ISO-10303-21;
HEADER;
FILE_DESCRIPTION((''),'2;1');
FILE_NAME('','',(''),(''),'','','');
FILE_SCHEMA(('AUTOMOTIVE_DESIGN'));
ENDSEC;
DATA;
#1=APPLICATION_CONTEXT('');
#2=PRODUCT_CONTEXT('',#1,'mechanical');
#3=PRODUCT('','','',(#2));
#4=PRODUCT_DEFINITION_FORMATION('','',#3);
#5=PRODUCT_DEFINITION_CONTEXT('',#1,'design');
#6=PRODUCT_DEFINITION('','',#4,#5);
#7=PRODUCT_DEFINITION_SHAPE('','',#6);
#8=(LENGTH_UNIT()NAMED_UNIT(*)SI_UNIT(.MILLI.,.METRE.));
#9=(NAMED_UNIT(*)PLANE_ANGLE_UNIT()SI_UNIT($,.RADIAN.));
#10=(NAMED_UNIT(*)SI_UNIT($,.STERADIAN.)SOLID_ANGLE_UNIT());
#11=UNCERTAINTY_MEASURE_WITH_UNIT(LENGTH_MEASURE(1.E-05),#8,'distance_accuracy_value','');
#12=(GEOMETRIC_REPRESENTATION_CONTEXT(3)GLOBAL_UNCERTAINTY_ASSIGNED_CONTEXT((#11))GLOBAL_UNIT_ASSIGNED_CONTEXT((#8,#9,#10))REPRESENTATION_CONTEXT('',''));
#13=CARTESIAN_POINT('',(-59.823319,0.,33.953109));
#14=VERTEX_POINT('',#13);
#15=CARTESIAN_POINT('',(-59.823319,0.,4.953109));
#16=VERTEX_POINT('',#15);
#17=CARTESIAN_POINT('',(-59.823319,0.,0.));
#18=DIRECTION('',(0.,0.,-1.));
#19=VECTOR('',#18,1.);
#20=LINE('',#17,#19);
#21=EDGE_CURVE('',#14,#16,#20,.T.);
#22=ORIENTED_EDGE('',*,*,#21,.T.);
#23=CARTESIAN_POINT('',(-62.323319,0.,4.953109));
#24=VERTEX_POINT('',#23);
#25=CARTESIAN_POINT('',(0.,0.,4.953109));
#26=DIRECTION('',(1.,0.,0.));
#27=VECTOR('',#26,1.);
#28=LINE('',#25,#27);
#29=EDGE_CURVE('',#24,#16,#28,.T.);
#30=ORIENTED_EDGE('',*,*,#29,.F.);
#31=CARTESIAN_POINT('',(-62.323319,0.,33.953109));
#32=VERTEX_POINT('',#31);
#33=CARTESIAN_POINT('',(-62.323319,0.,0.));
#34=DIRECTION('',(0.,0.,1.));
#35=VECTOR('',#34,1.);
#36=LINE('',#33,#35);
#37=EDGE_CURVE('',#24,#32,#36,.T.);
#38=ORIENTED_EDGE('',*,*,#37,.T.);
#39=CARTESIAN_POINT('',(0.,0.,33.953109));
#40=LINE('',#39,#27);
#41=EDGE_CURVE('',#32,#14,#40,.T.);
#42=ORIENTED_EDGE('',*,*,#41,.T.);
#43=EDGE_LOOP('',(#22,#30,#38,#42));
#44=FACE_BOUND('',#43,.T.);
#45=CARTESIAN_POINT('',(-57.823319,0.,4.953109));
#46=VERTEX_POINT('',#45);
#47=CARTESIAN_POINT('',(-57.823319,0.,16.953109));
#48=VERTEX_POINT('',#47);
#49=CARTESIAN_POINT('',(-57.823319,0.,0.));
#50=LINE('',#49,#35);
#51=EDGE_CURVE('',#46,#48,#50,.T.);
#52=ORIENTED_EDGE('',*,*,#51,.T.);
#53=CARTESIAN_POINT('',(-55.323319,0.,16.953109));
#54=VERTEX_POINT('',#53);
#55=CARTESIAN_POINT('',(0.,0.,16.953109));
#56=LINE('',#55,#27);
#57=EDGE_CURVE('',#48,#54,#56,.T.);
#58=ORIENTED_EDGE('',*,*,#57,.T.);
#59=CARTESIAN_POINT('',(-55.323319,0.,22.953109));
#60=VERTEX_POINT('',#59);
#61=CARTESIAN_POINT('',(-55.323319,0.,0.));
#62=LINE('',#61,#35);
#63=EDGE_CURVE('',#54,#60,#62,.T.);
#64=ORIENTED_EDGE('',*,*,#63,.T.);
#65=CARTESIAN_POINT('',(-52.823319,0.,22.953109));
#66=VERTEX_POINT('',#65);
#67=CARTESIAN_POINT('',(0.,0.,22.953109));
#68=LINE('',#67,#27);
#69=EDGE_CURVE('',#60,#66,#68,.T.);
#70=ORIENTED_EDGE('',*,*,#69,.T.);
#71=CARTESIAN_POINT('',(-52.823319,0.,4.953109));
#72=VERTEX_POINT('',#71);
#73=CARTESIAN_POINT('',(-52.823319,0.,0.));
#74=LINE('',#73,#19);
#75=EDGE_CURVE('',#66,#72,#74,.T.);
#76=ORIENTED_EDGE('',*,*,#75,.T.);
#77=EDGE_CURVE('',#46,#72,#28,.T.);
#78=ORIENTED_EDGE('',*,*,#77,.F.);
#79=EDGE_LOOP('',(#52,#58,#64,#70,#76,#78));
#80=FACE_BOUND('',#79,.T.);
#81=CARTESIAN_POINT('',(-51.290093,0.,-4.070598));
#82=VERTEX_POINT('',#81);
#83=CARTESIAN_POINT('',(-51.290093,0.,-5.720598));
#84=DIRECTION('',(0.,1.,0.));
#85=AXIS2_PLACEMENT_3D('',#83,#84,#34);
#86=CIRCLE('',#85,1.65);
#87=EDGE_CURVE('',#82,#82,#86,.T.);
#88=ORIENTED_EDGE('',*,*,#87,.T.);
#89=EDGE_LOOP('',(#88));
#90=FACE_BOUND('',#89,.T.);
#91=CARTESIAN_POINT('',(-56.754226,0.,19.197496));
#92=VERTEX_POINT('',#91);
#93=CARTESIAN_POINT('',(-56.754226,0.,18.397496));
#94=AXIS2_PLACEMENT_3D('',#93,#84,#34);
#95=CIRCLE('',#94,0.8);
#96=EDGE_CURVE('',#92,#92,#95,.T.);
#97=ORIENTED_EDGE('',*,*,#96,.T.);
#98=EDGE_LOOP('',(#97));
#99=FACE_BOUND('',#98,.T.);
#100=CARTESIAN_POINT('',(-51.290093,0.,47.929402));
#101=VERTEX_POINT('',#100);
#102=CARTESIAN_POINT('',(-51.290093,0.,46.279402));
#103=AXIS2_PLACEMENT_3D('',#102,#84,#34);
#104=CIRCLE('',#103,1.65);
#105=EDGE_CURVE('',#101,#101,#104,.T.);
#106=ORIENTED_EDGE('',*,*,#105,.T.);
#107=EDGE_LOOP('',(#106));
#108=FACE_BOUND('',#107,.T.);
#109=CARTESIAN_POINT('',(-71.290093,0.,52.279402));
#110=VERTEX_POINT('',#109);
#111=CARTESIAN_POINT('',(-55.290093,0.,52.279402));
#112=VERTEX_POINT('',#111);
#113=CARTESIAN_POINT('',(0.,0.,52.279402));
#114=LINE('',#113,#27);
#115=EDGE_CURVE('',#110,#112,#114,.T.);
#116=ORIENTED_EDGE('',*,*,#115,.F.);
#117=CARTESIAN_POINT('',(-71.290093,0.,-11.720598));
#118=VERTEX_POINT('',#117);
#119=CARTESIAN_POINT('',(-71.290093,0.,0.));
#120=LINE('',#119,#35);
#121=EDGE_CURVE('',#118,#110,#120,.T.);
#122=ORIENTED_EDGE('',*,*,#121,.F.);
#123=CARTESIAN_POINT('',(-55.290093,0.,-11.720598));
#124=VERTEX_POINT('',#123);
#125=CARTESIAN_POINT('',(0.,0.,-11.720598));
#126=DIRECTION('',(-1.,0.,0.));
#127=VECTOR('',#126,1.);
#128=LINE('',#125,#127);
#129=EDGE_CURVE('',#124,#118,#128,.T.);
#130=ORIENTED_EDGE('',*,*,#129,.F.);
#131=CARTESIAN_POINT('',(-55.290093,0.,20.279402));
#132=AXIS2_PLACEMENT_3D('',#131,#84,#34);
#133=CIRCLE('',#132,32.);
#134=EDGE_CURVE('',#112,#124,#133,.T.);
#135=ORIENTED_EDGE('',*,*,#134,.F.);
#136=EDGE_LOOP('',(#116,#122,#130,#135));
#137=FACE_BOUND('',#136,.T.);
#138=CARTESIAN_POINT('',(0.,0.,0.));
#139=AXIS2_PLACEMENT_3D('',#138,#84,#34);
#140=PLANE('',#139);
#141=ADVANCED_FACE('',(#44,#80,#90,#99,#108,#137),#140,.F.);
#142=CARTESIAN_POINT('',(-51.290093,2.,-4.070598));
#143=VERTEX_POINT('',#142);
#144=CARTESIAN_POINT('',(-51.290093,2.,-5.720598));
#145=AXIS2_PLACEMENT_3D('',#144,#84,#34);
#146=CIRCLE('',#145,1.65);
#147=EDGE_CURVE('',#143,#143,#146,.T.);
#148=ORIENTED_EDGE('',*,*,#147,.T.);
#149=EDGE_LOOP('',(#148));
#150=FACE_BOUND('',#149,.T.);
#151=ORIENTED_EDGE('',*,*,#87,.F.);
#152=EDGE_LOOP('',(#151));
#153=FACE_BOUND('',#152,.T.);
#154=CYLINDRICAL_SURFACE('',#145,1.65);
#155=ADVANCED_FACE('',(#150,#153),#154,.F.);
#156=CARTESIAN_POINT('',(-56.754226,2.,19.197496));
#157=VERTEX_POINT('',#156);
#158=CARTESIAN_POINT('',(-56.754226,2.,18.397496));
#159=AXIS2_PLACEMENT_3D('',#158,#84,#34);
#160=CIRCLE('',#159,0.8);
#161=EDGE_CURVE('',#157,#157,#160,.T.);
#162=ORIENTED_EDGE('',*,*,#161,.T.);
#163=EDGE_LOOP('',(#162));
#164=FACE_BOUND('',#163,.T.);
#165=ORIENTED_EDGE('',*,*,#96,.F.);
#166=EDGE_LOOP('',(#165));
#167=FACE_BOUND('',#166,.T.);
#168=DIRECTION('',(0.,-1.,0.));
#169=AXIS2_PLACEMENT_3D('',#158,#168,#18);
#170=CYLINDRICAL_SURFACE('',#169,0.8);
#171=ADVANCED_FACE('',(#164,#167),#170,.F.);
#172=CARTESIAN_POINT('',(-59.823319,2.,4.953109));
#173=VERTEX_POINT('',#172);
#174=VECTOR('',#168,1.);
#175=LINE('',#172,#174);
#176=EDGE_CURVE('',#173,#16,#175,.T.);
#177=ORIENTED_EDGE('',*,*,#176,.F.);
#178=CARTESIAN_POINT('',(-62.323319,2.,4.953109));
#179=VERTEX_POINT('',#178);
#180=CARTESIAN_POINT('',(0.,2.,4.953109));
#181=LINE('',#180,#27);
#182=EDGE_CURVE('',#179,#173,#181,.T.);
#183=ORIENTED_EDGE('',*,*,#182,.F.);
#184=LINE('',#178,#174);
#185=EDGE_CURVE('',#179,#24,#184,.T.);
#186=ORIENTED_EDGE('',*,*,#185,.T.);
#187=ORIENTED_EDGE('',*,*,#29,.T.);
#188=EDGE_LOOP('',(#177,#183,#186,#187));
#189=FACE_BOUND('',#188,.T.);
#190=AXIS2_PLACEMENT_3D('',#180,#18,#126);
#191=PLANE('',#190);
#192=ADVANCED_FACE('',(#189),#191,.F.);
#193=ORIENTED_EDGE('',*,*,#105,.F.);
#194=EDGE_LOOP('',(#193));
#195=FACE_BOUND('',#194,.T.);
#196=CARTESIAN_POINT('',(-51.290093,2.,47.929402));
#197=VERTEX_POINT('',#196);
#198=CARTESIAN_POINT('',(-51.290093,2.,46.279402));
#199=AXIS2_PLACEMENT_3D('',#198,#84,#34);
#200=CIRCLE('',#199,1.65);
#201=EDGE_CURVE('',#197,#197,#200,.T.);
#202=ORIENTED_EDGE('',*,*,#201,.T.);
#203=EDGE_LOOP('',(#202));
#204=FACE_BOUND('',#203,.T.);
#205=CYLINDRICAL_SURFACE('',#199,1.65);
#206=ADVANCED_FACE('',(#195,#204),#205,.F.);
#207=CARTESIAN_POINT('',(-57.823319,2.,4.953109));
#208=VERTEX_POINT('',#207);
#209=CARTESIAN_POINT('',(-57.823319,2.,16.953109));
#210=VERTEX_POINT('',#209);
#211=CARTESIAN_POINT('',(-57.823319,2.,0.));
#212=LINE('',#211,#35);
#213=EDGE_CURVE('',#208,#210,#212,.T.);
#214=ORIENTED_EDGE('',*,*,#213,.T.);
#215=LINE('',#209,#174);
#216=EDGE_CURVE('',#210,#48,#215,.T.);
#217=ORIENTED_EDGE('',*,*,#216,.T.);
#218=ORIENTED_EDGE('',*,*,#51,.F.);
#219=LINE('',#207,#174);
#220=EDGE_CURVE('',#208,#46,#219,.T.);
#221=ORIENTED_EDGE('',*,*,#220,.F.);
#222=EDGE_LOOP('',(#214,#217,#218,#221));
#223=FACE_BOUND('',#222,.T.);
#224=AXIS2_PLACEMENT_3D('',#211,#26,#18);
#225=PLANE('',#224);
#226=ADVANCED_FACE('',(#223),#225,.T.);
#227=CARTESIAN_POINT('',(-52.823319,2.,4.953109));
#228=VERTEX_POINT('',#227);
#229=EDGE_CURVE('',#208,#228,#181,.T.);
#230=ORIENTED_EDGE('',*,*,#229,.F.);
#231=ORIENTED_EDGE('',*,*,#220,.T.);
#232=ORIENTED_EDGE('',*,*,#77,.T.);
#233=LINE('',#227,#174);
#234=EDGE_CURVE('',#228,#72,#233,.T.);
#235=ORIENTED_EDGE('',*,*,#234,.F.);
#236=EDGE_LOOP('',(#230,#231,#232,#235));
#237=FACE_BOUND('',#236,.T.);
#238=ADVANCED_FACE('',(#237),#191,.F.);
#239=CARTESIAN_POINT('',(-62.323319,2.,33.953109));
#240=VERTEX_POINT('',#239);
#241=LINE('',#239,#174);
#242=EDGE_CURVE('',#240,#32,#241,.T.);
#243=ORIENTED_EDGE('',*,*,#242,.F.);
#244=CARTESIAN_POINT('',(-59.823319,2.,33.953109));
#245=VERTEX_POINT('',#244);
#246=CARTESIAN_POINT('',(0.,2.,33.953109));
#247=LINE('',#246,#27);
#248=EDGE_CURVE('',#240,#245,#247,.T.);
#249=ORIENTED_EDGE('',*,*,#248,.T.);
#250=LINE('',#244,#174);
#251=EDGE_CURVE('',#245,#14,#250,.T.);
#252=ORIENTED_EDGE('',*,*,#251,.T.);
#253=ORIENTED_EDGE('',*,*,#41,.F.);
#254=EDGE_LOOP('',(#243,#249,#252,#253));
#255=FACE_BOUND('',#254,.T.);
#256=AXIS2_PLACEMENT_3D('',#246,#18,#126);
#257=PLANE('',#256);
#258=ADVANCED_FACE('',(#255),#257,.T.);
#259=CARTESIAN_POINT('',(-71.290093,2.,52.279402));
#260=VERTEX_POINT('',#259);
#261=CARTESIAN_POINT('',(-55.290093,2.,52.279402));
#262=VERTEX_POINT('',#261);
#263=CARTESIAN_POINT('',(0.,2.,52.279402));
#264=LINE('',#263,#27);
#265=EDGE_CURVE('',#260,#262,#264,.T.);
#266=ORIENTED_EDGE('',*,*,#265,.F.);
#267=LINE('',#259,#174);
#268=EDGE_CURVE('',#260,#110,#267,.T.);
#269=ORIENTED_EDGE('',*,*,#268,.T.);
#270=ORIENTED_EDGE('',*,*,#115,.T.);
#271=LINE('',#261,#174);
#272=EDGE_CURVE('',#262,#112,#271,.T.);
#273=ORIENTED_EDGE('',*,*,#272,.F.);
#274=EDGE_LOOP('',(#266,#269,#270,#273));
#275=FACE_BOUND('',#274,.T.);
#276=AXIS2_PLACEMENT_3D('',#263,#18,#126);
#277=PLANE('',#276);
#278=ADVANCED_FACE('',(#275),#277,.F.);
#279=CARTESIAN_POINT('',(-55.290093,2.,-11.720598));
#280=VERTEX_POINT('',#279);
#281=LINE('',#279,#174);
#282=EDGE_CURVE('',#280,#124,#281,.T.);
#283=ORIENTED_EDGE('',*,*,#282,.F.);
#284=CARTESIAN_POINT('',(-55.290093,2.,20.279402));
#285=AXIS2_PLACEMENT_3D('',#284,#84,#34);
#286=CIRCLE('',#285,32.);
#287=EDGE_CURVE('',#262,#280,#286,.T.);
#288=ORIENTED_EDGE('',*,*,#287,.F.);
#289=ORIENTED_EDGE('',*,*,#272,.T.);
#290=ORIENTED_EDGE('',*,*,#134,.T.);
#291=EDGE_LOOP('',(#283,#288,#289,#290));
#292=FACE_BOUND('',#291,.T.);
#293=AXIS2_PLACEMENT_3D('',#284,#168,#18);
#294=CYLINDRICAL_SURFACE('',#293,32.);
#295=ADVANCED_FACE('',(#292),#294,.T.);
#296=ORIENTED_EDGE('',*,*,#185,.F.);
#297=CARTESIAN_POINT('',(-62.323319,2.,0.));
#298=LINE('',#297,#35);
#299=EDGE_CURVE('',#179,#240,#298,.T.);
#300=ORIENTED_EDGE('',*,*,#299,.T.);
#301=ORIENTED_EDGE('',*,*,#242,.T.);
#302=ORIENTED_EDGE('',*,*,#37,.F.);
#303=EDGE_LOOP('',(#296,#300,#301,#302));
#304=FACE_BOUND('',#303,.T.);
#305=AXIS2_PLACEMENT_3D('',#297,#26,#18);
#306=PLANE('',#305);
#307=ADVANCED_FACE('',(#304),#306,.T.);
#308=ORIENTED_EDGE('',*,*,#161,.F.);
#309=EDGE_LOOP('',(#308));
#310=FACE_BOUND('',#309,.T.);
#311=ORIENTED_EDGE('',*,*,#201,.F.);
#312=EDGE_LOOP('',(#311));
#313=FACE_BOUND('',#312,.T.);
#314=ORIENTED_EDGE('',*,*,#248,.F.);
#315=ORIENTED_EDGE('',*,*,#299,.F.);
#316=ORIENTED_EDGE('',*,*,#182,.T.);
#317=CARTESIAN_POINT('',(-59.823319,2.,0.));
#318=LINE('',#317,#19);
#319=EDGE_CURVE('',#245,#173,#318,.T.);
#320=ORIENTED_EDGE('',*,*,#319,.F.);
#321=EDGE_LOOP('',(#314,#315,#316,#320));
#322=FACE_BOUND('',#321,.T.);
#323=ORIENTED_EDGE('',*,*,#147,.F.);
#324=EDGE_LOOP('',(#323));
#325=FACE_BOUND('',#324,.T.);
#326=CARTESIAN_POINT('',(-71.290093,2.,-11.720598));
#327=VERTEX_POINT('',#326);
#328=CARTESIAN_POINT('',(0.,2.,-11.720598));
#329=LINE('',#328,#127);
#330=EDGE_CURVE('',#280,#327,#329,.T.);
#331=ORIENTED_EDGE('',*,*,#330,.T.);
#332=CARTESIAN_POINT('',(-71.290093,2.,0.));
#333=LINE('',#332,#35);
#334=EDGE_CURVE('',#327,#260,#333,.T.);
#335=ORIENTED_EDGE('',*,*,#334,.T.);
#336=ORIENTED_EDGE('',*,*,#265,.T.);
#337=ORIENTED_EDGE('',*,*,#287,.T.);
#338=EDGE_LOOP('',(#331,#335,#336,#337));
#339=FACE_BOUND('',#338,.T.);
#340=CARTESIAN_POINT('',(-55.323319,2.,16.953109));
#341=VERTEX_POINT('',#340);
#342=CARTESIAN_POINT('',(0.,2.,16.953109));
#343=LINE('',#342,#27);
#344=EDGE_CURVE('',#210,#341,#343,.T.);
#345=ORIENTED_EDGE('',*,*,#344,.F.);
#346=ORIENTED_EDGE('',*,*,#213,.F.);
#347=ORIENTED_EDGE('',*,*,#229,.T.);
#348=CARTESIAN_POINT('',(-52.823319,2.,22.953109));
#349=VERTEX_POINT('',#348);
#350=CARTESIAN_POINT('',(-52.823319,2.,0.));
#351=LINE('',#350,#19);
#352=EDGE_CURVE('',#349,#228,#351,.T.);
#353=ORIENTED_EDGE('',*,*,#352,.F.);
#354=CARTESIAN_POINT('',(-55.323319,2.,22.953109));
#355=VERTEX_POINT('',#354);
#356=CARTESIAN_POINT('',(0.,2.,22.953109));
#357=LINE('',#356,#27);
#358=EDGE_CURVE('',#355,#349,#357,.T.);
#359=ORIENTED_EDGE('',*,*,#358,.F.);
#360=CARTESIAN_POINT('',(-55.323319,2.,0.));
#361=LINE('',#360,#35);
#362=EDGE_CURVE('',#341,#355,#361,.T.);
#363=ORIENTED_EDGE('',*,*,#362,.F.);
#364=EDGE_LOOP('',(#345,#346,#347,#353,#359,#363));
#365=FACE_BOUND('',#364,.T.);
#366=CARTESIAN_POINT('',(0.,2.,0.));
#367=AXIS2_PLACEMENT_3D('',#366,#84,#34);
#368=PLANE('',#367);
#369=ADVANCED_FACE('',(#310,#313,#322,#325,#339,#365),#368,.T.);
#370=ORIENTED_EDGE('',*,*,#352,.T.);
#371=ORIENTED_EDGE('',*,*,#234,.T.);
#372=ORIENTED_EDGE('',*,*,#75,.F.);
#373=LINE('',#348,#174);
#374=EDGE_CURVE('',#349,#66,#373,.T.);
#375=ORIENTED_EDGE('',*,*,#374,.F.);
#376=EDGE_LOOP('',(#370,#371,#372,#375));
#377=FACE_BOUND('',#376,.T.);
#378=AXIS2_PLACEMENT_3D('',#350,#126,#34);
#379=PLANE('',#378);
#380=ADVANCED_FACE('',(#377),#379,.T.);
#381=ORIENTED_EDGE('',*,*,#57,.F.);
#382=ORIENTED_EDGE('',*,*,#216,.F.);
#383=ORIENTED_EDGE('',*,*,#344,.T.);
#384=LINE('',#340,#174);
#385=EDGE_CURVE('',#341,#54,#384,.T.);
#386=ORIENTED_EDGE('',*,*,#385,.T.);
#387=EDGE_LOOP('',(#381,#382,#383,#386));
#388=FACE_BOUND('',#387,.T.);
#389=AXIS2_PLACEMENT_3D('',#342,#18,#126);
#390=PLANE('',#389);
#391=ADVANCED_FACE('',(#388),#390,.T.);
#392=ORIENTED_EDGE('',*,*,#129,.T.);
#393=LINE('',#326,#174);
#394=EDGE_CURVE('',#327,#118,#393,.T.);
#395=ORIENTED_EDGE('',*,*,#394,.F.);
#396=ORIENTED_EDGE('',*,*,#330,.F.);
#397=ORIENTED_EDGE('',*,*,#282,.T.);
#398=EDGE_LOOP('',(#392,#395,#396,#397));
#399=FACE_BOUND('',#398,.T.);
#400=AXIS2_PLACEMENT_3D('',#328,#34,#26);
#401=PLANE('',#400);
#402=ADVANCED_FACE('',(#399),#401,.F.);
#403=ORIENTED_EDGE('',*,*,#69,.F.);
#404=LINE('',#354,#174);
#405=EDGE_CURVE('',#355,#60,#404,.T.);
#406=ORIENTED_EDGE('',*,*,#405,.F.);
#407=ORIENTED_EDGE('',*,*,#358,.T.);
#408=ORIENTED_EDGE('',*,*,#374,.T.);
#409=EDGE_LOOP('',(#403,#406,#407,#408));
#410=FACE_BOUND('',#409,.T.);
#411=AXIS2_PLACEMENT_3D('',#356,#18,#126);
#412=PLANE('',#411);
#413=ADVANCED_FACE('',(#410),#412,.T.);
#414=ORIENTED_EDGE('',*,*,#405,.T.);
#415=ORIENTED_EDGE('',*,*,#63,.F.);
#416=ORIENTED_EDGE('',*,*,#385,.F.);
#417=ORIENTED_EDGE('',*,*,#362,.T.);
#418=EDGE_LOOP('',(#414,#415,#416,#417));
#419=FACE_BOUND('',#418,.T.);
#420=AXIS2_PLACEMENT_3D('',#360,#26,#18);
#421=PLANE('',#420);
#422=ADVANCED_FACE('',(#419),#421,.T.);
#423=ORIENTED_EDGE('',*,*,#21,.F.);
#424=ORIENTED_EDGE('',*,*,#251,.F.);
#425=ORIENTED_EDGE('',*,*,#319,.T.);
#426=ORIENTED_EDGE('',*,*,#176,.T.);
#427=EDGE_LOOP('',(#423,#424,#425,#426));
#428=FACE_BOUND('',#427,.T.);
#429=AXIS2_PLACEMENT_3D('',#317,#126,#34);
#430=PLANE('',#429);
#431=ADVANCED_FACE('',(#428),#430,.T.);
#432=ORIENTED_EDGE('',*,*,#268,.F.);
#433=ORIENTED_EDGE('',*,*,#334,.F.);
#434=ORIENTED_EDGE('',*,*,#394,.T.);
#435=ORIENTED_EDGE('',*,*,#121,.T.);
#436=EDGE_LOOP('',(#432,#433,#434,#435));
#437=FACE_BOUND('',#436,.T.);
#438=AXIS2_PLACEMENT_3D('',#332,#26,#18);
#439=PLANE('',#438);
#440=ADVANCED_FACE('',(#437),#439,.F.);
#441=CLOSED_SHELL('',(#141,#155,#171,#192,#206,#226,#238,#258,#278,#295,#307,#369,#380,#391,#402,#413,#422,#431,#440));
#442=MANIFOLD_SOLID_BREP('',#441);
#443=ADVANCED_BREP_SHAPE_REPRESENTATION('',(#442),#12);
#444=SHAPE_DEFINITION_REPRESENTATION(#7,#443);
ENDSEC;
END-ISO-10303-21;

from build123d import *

# Parameters (mm, degrees)
CROQUIS2_W                = 2.5
CROQUIS2_H                = 29
CROQUIS2_R                = 0.8
SALIENTE_EXTRUIR2_DEPTH   = 2
TALADRO_ROSCADO_M41_D     = 3.3
TALADRO_ROSCADO_M41_DEPTH = 11.5
TALADRO_ROSCADO_M41_TIP   = 0.991420021


with BuildPart() as part:
    # Croquis2 → Saliente-Extruir2 (new body)
    with BuildSketch(Plane(origin=(0, 0, 0), x_dir=(1, 0, 0), z_dir=(0, 1, 0))):
        with BuildLine():
            Line((-69.290093462, 11.720598128), (-71.290093462, 11.720598128))
            Line((-71.290093462, 11.720598128), (-71.290093462, -52.279401872))
            Line((-71.290093462, -52.279401872), (-55.290093462, -52.279401872))
            ThreePointArc((-55.290093462, -52.279401872), (-23.290093462, -20.279401872), (-55.290093462, 11.720598128))
            Line((-55.290093462, 11.720598128), (-69.290093462, 11.720598128))
        make_face()
        with Locations((-61.073318824, -19.453109229)):
            Rectangle(CROQUIS2_W, CROQUIS2_H, mode=Mode.SUBTRACT)
        with Locations((-56.754226246, -18.397495979)):
            Circle(CROQUIS2_R, mode=Mode.SUBTRACT)
        Polygon((-57.823318824, -16.953109229), (-57.823318824, -4.953109229), (-52.823318824, -4.953109229), (-52.823318824, -22.953109229), (-55.323318824, -22.953109229), (-55.323318824, -16.953109229), align=None, mode=Mode.SUBTRACT)
    extrude(amount=SALIENTE_EXTRUIR2_DEPTH)

    # Taladro roscado M41
    with Locations(Plane(origin=(0, 2, 0), x_dir=(1, 0, 0), z_dir=(0, 1, 0))):
        with Locations((-51.290093462, 5.720598128), (-51.290093462, -46.279401872)):
            Hole(TALADRO_ROSCADO_M41_D / 2, depth=TALADRO_ROSCADO_M41_DEPTH)
            with Locations((0, 0, -(TALADRO_ROSCADO_M41_DEPTH + TALADRO_ROSCADO_M41_TIP / 2))):  # 118° drill point
                Cone(0, TALADRO_ROSCADO_M41_D / 2, TALADRO_ROSCADO_M41_TIP, mode=Mode.SUBTRACT)


solid = part.part
